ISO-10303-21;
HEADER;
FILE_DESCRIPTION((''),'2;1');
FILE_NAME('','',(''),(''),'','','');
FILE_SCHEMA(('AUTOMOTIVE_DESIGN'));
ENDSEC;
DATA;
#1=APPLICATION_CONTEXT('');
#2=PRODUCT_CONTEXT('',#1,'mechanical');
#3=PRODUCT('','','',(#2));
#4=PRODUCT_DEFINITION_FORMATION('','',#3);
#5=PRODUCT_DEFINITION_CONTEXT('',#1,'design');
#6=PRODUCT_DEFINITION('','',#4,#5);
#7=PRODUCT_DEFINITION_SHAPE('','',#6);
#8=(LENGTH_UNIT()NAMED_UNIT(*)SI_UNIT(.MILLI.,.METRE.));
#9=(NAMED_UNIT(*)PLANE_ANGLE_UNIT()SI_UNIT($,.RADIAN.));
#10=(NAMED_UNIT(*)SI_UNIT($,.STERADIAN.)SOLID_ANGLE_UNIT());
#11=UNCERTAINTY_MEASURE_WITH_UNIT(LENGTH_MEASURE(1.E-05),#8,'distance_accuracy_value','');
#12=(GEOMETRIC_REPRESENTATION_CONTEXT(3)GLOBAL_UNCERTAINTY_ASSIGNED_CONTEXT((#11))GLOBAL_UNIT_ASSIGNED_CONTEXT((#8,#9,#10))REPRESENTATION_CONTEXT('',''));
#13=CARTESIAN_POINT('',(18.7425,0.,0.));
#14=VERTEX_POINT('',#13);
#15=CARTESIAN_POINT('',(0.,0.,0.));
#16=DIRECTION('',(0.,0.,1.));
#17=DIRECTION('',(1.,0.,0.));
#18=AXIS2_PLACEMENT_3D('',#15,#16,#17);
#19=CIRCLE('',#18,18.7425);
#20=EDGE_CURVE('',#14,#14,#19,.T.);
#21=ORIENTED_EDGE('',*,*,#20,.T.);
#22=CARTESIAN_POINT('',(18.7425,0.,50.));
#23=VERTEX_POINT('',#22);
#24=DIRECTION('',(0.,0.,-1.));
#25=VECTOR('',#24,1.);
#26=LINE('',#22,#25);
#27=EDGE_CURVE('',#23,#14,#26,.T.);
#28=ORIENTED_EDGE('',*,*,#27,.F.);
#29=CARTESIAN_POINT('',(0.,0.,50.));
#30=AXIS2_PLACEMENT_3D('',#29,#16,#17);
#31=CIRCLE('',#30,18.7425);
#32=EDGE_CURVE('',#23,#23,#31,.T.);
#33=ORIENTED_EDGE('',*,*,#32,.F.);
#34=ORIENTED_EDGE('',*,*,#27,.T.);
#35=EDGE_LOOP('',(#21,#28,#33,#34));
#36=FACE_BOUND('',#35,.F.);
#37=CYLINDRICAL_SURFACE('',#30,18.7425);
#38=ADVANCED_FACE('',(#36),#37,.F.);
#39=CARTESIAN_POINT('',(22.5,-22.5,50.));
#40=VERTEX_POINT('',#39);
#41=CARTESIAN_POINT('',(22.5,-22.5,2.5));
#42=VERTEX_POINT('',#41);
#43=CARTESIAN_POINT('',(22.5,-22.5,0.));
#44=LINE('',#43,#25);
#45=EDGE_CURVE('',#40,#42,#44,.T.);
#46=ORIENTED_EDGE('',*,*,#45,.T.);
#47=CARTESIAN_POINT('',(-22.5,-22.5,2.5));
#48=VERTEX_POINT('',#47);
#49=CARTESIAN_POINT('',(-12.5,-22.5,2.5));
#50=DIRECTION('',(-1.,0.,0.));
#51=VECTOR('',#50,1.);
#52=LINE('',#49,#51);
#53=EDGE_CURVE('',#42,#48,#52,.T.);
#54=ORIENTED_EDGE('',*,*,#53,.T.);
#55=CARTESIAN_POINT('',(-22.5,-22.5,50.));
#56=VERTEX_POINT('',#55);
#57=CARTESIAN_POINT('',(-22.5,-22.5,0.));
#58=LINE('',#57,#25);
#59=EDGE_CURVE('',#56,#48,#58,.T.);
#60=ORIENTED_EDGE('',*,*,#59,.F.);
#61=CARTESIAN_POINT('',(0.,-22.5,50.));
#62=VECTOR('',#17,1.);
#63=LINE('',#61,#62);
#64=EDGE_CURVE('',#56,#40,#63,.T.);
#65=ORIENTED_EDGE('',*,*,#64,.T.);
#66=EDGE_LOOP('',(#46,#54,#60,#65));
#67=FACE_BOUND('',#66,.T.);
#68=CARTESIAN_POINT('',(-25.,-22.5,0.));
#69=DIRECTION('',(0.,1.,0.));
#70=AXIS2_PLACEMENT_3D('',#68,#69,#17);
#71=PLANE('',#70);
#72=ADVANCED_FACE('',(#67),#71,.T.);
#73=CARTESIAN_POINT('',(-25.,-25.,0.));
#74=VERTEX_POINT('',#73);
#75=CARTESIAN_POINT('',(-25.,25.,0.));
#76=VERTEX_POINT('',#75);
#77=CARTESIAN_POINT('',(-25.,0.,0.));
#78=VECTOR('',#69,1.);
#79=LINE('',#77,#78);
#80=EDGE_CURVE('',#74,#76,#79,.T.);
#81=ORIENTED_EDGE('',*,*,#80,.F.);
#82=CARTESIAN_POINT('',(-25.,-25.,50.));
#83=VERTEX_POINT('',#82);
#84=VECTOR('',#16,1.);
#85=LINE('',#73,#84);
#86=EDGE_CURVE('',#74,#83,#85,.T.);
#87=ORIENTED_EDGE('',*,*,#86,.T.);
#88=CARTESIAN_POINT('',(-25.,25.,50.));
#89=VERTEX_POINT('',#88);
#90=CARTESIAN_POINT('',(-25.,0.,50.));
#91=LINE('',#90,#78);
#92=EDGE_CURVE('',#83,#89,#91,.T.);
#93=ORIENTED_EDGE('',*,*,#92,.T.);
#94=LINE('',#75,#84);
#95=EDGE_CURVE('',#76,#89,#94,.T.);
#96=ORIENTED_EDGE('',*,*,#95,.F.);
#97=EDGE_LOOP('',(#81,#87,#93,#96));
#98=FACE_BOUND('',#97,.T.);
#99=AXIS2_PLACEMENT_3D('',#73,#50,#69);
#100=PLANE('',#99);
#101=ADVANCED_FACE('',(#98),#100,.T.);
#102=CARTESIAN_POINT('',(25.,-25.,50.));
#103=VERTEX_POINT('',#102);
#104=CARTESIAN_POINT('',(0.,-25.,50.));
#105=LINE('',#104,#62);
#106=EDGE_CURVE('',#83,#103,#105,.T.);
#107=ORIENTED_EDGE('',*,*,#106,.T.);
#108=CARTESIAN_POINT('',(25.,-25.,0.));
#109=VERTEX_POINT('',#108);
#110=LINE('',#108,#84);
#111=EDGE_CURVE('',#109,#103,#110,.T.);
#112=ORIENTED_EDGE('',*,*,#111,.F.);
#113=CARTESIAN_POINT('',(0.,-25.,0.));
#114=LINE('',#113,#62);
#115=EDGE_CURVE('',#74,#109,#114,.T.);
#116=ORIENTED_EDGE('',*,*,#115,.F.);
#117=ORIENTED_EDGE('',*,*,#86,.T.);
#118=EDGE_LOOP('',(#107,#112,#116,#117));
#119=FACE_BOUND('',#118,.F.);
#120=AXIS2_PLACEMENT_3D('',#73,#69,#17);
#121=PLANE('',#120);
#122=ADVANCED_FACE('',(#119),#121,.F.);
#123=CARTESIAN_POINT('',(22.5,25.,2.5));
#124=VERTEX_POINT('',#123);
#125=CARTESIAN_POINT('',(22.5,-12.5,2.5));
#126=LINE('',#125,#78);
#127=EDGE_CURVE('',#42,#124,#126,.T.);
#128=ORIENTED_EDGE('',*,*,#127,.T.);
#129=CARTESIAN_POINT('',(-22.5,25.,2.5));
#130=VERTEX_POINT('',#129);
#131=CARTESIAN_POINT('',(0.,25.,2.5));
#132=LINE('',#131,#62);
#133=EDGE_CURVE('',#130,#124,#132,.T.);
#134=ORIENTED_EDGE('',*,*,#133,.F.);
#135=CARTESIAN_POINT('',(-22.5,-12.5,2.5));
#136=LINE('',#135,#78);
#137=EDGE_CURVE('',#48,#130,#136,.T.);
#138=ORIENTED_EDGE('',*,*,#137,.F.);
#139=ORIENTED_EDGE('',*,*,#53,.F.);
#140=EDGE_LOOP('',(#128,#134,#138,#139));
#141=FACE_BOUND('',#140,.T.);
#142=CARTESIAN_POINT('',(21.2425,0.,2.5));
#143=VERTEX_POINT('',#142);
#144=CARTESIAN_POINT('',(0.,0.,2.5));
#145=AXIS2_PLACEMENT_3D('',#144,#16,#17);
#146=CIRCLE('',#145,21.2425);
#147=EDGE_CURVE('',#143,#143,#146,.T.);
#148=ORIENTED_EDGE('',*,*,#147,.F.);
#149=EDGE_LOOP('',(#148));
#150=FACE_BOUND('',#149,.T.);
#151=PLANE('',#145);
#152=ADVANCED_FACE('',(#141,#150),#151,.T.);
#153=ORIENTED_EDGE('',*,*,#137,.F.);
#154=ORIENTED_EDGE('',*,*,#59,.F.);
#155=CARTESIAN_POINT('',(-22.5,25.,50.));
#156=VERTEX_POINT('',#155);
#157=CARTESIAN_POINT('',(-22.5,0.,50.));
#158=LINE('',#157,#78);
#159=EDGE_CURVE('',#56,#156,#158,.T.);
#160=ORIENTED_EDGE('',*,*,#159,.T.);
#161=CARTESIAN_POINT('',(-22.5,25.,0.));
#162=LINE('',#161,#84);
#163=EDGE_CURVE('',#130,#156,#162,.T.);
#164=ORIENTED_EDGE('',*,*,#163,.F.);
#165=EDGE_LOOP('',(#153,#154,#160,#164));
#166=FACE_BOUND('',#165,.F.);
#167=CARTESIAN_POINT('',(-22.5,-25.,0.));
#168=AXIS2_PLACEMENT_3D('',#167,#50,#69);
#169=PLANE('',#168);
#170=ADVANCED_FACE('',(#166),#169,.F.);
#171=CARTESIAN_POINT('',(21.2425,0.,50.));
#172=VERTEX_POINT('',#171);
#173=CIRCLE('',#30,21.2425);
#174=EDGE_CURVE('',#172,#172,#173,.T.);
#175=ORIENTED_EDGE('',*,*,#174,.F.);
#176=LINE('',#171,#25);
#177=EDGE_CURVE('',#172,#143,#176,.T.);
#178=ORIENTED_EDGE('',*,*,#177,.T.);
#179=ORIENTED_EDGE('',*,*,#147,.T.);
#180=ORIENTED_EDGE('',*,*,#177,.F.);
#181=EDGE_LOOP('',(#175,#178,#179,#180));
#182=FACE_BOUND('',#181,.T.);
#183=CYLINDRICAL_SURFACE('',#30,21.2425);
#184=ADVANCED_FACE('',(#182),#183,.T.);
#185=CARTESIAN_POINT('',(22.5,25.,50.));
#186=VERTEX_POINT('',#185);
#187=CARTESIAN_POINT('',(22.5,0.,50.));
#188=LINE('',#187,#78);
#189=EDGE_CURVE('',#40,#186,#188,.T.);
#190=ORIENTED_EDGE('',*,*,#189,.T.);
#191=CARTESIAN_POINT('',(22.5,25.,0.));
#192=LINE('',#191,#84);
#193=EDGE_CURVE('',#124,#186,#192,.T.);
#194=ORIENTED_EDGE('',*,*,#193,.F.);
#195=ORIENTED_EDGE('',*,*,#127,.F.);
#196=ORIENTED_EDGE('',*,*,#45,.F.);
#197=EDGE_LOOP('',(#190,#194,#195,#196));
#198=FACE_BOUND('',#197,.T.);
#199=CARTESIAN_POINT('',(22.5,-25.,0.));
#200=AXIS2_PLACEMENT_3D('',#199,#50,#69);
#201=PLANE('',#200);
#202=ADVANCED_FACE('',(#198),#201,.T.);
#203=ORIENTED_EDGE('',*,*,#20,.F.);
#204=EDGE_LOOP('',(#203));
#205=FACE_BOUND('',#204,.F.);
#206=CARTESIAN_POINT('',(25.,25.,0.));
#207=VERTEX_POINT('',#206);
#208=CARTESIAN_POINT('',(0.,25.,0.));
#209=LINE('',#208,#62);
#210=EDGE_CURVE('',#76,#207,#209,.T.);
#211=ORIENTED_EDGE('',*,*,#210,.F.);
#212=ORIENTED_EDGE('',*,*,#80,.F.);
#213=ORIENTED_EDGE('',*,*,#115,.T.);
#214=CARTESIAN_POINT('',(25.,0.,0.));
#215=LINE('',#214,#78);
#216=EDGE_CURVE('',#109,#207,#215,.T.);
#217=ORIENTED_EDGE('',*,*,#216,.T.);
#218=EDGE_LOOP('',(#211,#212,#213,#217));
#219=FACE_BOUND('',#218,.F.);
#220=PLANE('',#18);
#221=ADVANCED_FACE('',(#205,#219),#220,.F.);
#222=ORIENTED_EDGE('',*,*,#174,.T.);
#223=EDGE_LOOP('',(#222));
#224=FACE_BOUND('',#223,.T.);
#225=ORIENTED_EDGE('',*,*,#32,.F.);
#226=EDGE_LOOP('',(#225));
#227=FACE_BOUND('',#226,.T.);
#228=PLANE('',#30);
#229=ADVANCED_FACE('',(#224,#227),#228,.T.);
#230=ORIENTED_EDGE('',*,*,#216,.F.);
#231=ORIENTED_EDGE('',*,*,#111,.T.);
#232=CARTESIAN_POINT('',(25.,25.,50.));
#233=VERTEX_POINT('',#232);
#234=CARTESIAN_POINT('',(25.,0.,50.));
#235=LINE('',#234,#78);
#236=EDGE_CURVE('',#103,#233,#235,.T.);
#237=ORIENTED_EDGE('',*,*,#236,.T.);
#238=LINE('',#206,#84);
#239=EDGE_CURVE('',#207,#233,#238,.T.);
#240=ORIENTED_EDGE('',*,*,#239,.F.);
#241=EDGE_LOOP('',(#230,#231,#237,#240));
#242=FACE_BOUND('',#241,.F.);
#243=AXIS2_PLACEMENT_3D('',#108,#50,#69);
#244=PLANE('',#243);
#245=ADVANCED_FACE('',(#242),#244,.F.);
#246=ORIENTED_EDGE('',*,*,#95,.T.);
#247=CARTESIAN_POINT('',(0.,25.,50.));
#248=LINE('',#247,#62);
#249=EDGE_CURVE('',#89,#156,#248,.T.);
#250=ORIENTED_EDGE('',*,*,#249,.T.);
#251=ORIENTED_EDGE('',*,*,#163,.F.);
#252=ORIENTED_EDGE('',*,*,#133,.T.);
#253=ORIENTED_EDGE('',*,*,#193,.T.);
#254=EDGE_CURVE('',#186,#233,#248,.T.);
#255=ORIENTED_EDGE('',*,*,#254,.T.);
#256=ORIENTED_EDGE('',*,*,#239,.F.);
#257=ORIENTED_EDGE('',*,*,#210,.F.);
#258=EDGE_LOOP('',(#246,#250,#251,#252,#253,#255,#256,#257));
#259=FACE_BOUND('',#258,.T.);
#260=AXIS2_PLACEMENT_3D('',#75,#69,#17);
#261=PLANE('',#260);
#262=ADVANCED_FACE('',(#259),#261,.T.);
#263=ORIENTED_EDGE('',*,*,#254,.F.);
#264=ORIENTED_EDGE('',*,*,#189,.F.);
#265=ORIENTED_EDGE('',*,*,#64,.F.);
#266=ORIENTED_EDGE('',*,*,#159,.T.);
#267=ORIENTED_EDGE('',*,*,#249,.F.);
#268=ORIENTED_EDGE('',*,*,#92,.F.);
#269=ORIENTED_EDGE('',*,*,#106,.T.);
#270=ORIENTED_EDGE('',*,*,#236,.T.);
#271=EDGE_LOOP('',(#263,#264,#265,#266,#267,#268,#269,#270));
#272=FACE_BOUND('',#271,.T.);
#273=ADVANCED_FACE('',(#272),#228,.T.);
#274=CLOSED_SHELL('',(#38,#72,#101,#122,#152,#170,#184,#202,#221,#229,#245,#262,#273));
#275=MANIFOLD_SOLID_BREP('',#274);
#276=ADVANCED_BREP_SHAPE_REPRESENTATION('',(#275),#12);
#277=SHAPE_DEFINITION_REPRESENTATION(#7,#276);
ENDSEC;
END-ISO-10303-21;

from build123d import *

# Parameters (mm, degrees)
F0_W     = 50
F0_H     = 50
F1_DEPTH = 50
F2_R     = 18.7425
F3_DEPTH = 50
F4_T     = -2.5


with BuildPart() as f1:
    # F0 (on Top) → F1 (new body)
    with BuildSketch(Plane.XY):
        Rectangle(F0_W, F0_H)
    extrude(amount=F1_DEPTH)

    # F2 (on face) → F3 (cut)
    with BuildSketch(Plane.XY.offset(50)):
        Circle(F2_R)
    extrude(amount=-F3_DEPTH, mode=Mode.SUBTRACT)

    # F4
    f4_openings = [f1.faces().sort_by_distance(p)[0] for p in [
        (24.292893, 0, 50),
        (0, 25, 25),
    ]]
    offset(amount=F4_T, openings=f4_openings)


solid = f1.part
